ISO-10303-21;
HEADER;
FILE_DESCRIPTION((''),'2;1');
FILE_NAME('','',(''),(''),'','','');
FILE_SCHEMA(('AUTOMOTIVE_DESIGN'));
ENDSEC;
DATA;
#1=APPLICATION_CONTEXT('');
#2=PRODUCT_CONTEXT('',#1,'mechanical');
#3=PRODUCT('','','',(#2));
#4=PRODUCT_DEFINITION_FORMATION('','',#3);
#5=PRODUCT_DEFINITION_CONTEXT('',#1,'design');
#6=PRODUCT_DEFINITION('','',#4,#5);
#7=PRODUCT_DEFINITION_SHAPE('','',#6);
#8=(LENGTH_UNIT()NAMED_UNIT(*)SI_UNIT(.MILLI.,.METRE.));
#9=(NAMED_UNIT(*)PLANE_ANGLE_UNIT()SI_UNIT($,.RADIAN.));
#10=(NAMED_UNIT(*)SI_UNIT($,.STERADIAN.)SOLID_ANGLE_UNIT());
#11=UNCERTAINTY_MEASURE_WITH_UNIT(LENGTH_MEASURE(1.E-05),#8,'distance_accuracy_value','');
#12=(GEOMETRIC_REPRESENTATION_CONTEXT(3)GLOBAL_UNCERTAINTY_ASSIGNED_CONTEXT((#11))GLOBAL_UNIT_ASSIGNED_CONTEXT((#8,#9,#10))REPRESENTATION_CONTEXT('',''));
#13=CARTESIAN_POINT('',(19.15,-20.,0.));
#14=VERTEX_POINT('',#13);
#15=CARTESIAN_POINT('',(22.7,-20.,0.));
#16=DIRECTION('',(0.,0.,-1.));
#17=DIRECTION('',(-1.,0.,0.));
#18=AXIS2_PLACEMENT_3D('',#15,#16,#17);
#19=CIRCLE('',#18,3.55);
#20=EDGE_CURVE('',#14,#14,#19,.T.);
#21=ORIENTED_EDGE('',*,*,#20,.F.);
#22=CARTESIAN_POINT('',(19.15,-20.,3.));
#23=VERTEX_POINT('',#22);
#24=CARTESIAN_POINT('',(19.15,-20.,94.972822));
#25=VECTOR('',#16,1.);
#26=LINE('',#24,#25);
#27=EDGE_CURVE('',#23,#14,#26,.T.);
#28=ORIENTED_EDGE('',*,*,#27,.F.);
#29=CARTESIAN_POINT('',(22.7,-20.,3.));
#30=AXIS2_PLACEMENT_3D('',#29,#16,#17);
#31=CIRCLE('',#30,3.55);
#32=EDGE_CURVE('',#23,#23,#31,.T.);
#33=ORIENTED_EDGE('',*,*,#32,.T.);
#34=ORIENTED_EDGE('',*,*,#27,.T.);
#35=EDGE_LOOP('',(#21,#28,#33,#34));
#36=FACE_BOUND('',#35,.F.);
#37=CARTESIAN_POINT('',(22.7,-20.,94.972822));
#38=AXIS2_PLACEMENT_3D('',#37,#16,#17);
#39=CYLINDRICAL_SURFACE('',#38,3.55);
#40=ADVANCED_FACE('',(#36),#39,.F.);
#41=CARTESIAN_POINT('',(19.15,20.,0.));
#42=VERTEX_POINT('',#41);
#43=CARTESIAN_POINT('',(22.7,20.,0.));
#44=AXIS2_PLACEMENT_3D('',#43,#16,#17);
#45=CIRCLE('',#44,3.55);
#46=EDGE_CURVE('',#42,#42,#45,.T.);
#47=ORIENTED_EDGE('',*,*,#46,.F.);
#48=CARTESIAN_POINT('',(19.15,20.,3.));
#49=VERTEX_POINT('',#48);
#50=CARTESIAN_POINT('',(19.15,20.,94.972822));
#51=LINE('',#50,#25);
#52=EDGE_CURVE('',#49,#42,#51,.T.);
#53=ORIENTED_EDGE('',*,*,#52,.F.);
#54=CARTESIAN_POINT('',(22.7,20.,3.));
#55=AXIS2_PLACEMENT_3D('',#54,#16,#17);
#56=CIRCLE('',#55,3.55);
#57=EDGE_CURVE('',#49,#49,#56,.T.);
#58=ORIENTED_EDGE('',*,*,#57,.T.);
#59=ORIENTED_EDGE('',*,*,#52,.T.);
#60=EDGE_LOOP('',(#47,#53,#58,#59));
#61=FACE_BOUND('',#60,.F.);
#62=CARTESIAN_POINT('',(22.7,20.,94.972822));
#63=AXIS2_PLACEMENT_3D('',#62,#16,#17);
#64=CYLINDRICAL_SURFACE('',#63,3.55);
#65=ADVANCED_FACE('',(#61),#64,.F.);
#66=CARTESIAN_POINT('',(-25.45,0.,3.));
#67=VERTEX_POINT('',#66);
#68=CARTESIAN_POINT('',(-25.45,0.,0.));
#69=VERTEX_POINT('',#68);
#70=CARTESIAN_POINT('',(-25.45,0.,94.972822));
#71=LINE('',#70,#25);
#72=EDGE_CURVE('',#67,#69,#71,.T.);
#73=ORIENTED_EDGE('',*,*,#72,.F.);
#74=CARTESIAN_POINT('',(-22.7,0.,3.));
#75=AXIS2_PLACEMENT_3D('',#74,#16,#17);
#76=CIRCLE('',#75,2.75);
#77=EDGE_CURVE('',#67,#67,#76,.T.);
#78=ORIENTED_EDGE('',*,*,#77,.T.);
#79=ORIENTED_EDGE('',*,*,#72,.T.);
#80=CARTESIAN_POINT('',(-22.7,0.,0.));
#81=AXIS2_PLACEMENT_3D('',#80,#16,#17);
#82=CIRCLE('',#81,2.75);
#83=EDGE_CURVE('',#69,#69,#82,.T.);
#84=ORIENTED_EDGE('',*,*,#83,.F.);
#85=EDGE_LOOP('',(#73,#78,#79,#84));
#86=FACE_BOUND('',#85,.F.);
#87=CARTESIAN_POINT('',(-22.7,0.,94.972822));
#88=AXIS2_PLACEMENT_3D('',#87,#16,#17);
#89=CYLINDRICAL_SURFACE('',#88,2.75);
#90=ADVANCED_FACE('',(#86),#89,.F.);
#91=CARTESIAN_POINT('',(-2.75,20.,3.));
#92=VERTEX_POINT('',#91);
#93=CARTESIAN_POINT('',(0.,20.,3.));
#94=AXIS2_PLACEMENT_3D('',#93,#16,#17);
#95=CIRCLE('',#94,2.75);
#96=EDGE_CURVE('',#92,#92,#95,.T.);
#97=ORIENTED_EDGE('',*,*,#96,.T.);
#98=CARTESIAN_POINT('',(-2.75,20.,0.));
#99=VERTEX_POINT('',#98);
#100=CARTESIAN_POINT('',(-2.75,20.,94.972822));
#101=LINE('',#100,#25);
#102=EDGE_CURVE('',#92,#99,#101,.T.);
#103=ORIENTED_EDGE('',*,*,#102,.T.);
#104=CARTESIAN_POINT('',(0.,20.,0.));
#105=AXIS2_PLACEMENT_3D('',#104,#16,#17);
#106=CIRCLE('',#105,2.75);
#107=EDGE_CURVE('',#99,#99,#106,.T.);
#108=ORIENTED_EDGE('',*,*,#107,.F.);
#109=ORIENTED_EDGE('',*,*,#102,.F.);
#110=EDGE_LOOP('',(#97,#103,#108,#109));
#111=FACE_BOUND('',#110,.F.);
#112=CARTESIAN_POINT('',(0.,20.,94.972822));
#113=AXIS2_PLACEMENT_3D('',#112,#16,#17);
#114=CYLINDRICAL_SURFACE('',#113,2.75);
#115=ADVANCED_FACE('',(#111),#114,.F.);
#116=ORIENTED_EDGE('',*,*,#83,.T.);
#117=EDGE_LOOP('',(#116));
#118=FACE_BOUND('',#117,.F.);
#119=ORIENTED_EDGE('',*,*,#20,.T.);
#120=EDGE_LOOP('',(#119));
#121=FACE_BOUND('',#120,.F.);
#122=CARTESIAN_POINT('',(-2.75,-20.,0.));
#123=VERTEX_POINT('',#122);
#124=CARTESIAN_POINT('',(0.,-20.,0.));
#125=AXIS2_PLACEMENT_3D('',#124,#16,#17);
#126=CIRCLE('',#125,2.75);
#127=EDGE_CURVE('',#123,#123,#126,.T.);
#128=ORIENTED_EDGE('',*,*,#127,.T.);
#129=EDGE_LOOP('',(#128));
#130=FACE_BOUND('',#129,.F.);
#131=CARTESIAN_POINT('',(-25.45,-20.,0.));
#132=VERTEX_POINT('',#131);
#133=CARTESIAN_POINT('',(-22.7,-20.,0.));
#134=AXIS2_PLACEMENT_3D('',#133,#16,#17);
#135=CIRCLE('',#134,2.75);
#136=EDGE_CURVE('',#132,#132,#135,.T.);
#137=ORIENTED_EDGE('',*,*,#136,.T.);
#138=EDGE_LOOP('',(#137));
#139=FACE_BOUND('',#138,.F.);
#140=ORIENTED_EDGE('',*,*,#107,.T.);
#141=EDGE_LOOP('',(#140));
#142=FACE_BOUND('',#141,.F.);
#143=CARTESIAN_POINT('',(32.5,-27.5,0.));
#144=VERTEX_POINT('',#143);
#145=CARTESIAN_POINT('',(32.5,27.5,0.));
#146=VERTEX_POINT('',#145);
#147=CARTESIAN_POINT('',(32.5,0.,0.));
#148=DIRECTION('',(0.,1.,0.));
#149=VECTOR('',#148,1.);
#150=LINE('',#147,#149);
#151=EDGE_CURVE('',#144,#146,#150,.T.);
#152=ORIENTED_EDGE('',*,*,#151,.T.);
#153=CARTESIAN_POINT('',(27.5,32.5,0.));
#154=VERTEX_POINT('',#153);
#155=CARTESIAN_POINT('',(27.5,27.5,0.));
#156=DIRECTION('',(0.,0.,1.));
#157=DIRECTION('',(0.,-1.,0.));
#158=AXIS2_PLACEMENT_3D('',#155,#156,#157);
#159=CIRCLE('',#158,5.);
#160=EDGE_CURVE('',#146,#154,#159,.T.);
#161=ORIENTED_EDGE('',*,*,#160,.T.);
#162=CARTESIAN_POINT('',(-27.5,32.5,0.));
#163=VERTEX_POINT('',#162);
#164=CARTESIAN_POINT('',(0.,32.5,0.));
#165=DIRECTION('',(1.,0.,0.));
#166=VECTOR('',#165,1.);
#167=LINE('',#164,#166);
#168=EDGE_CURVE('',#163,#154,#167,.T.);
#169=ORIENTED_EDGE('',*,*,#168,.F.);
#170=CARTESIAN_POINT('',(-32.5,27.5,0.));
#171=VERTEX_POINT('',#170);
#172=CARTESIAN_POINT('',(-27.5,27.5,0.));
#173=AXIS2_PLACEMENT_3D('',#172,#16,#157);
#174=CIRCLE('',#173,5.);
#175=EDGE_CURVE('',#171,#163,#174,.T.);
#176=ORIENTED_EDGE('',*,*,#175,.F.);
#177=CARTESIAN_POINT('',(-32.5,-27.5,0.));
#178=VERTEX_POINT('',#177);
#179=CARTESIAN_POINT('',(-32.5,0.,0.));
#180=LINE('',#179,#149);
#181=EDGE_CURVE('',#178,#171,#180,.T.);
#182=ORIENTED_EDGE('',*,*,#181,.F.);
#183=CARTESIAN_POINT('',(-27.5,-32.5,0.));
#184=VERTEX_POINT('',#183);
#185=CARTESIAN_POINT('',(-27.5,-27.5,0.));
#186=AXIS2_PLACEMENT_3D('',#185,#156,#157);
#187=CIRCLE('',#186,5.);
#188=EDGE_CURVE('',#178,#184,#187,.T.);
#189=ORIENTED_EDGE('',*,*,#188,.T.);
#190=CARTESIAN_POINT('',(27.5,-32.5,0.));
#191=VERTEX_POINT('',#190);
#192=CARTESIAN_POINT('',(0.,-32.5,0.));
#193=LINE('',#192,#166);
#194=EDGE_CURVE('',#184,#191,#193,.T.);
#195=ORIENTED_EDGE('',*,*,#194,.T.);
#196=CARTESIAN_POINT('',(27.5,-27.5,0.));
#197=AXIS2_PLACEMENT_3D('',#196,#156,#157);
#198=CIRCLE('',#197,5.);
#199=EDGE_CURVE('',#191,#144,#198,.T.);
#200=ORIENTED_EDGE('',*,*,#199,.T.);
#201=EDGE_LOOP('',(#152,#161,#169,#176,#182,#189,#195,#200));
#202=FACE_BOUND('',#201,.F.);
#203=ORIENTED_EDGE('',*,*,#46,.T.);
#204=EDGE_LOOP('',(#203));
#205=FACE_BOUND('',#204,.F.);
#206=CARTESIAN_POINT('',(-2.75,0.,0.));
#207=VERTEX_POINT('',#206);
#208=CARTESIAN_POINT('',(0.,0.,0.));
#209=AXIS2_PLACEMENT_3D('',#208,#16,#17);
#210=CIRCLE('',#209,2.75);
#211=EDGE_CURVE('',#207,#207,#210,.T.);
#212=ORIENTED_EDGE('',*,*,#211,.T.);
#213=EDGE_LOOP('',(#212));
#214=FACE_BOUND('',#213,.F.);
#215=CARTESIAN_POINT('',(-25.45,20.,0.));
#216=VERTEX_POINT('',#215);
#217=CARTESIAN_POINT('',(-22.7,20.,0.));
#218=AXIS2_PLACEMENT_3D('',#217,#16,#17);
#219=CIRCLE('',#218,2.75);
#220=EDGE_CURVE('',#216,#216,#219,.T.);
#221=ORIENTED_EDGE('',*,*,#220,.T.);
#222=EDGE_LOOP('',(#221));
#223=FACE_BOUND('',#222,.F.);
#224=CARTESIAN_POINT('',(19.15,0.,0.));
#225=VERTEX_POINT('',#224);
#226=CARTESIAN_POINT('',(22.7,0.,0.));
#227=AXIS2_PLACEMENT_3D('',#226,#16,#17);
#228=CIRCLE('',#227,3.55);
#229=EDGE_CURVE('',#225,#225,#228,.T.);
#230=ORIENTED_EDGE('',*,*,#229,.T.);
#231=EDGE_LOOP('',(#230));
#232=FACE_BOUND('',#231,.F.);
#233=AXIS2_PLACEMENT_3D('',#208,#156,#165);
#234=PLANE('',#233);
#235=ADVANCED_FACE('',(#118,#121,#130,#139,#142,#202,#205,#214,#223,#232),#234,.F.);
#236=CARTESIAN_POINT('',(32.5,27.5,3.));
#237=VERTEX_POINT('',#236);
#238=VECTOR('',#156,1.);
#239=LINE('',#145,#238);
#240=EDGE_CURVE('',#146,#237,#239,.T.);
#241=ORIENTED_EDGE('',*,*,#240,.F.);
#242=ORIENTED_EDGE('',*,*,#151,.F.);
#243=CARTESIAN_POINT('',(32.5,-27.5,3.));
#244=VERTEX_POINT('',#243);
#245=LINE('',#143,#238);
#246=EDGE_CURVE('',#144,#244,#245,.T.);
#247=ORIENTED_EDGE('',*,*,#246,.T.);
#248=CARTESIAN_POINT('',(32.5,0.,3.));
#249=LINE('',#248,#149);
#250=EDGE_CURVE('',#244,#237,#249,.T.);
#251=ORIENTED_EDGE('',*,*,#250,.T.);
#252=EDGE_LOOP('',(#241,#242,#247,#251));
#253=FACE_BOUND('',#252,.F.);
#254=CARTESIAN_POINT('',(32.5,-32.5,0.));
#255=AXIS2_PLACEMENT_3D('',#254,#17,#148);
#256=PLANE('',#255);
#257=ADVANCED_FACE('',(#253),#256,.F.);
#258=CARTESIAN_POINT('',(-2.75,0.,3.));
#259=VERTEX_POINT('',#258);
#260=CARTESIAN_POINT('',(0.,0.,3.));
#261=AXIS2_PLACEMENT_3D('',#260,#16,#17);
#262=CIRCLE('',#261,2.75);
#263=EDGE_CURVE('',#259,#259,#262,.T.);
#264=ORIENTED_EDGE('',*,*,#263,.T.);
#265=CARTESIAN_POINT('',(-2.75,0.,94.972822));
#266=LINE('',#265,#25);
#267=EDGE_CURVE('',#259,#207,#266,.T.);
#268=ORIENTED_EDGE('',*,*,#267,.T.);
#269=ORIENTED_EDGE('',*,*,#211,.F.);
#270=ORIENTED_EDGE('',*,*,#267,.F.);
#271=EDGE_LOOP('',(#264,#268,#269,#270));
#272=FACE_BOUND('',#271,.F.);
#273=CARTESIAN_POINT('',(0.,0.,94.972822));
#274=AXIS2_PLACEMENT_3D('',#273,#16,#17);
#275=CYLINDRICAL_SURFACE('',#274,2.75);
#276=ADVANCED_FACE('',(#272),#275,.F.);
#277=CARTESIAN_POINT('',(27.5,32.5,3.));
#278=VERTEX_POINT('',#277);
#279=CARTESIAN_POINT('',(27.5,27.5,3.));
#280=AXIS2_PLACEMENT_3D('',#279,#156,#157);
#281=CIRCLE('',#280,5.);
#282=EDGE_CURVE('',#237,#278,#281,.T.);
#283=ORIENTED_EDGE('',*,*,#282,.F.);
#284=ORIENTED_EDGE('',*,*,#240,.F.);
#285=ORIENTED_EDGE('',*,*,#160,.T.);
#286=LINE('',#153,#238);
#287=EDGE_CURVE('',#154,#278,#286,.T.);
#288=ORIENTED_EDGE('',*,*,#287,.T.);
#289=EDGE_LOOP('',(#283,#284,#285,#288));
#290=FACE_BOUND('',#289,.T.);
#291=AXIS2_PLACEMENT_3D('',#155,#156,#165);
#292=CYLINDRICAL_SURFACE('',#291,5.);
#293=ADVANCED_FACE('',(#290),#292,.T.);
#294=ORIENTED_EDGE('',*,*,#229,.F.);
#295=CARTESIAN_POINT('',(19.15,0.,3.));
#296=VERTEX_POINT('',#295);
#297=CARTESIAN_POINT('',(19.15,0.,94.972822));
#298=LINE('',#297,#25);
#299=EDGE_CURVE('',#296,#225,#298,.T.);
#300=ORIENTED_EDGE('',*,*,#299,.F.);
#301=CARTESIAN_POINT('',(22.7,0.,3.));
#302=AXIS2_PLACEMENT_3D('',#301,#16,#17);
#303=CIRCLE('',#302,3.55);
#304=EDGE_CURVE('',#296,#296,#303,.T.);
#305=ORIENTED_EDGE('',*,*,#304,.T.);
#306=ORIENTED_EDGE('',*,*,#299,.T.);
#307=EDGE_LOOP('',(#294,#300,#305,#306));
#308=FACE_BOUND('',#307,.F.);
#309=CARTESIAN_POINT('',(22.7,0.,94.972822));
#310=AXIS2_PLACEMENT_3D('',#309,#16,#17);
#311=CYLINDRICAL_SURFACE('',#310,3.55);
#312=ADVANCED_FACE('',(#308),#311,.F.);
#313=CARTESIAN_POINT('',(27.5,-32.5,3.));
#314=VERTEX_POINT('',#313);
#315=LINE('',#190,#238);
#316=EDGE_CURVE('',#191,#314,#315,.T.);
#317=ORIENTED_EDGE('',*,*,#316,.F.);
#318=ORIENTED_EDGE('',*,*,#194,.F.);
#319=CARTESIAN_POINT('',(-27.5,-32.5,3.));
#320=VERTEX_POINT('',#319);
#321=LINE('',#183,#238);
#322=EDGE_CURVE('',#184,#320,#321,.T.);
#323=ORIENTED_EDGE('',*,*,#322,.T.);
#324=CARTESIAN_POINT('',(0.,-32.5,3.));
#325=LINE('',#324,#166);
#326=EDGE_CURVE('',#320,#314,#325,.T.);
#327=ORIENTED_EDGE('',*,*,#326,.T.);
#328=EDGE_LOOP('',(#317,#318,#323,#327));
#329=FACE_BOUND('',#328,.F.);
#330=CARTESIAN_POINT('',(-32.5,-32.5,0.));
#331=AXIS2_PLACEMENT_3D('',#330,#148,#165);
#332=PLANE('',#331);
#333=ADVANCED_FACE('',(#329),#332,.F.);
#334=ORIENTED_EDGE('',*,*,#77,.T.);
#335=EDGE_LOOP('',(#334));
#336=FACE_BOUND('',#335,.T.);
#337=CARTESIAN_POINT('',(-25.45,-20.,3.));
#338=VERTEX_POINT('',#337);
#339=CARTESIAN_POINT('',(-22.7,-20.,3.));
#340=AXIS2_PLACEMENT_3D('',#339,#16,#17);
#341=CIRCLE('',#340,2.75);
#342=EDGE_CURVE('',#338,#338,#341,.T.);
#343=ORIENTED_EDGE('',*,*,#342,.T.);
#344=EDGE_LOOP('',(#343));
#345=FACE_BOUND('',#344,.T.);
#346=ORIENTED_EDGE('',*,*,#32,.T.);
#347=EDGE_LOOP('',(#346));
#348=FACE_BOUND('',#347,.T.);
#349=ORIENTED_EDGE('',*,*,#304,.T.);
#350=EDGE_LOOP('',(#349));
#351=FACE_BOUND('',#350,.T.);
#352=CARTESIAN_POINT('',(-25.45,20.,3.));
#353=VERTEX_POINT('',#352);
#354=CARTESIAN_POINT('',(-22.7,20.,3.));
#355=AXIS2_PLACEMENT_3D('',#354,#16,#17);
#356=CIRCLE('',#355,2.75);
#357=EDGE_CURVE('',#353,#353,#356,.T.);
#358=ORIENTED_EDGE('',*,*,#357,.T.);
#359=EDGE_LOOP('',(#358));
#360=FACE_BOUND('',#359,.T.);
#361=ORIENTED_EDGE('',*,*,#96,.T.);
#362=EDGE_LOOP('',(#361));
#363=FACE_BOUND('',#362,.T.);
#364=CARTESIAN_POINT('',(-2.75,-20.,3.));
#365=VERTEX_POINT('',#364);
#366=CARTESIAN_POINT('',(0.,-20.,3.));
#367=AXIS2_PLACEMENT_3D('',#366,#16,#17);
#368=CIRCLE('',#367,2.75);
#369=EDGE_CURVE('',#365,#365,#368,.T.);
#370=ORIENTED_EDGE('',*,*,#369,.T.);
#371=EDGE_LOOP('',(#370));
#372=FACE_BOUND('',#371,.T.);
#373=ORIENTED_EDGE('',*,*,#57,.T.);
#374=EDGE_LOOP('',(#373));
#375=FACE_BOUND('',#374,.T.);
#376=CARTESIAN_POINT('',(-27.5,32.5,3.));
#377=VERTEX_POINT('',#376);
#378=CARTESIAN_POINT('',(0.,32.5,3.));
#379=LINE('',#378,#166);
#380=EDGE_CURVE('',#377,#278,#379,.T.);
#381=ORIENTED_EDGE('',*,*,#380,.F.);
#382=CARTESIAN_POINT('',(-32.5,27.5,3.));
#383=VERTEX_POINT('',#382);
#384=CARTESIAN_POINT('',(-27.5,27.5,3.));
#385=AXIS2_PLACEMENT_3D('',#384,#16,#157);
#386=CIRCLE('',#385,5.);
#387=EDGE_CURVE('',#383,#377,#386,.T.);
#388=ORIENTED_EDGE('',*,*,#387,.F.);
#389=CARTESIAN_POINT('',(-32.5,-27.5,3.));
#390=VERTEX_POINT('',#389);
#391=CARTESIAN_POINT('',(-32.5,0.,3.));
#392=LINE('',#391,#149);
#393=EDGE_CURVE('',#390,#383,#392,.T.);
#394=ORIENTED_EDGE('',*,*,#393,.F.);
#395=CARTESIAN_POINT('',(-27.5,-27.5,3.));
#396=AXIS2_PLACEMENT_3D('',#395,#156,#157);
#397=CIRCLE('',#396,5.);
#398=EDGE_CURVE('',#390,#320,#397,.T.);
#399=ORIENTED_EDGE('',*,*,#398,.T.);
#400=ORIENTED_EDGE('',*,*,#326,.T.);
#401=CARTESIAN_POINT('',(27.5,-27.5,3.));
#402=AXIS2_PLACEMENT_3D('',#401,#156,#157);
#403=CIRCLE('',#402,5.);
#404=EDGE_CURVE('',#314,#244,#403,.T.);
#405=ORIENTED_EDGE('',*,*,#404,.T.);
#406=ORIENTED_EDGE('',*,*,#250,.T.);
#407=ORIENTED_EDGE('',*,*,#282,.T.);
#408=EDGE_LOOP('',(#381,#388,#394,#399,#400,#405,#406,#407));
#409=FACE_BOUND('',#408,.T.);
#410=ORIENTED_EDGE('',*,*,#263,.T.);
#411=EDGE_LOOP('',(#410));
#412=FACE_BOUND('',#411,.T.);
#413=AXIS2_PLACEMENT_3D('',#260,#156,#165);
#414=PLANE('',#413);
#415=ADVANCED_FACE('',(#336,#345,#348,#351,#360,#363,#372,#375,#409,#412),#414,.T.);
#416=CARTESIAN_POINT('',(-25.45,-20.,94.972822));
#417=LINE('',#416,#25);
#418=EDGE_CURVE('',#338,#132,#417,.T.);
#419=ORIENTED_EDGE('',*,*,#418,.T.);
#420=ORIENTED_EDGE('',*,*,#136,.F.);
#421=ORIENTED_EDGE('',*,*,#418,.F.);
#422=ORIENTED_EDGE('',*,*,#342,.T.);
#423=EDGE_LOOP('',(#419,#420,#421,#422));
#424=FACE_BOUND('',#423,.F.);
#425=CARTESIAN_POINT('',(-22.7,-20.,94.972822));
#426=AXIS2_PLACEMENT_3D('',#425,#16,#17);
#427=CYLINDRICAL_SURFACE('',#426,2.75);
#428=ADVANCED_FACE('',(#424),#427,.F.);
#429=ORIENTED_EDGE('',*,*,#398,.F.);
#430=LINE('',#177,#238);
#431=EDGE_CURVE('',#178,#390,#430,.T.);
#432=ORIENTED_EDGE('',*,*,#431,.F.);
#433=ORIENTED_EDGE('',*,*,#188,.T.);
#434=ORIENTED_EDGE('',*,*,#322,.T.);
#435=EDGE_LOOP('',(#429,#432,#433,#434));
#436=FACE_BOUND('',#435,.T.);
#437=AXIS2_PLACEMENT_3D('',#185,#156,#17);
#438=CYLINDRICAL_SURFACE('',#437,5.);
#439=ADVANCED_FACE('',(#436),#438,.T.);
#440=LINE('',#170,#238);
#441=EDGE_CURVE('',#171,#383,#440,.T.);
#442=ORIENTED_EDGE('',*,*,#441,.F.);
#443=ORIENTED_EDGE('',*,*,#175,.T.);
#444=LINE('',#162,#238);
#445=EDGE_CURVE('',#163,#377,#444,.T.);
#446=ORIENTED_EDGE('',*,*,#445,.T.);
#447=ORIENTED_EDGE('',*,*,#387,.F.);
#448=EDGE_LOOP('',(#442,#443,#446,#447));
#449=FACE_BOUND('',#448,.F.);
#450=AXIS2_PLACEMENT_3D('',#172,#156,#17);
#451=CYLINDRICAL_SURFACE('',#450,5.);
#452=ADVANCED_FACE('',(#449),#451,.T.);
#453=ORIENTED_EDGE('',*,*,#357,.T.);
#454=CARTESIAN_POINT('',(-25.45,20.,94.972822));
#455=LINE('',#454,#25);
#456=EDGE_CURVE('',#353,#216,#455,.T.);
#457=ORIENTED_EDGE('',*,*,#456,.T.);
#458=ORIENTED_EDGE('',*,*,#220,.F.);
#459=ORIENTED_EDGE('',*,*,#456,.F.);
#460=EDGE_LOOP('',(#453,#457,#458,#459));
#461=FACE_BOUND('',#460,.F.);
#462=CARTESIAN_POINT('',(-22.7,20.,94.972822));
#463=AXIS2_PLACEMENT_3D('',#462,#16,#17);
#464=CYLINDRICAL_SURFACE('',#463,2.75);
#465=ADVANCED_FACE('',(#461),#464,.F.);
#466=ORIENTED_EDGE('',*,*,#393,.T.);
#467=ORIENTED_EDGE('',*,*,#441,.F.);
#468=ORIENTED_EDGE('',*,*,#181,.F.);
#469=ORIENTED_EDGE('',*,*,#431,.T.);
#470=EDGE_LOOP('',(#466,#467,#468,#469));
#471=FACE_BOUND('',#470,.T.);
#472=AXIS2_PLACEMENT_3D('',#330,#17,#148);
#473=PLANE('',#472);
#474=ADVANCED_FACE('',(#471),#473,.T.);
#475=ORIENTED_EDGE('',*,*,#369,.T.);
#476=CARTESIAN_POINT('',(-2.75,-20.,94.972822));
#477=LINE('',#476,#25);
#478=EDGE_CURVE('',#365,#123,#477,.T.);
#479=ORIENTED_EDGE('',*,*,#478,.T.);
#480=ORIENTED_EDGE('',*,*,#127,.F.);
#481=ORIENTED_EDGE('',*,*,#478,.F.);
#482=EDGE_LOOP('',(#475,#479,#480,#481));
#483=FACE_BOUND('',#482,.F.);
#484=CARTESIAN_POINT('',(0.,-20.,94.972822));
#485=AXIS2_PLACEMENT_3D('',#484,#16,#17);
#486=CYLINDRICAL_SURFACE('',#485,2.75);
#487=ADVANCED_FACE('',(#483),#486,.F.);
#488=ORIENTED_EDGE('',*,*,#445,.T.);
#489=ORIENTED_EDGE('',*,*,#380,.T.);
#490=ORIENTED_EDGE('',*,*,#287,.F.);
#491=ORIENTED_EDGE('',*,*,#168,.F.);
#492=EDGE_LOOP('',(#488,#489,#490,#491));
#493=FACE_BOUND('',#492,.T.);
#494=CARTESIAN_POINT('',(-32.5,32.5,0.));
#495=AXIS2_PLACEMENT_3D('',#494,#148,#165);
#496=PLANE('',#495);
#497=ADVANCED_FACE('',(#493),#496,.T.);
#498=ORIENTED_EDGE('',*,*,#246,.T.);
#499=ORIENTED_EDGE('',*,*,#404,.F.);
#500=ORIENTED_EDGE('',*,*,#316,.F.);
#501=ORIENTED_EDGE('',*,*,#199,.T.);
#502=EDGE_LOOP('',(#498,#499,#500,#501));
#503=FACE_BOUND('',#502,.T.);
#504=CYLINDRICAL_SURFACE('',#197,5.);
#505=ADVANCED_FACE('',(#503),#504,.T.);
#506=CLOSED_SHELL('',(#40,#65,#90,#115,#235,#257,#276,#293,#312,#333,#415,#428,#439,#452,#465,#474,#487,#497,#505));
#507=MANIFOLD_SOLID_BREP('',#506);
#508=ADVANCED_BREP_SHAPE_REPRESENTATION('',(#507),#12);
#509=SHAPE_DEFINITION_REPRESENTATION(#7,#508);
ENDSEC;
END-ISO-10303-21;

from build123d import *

# Parameters (mm, degrees)
F0_W     = 65
F0_H     = 65
F1_DEPTH = 3
F2_R     = 5
F4_D     = 5.5
F6_D     = 7.1


with BuildPart() as f1:
    # F0 (on Top) → F1 (new body)
    with BuildSketch(Plane.XY):
        Rectangle(F0_W, F0_H)
    extrude(amount=F1_DEPTH)

    # F2
    f2_edges = [f1.edges().sort_by_distance(p)[0] for p in [
        (-32.5, 32.5, 1.5),
        (32.5, 32.5, 1.5),
        (32.5, -32.5, 1.5),
        (-32.5, -32.5, 1.5),
    ]]
    fillet(f2_edges, radius=F2_R)

    # F4 (through all)
    with Locations(Plane.XY.offset(3)):
        with Locations((-22.7, 20), (-22.7, -20), (0, -20), (0, 20), (-22.7, 0), (0, 0)):
            Hole(F4_D / 2)

    # F6 (through all)
    with Locations(Plane.XY.offset(3)):
        with Locations((22.7, 20), (22.7, -20), (22.7, 0)):
            Hole(F6_D / 2)


solid = f1.part
